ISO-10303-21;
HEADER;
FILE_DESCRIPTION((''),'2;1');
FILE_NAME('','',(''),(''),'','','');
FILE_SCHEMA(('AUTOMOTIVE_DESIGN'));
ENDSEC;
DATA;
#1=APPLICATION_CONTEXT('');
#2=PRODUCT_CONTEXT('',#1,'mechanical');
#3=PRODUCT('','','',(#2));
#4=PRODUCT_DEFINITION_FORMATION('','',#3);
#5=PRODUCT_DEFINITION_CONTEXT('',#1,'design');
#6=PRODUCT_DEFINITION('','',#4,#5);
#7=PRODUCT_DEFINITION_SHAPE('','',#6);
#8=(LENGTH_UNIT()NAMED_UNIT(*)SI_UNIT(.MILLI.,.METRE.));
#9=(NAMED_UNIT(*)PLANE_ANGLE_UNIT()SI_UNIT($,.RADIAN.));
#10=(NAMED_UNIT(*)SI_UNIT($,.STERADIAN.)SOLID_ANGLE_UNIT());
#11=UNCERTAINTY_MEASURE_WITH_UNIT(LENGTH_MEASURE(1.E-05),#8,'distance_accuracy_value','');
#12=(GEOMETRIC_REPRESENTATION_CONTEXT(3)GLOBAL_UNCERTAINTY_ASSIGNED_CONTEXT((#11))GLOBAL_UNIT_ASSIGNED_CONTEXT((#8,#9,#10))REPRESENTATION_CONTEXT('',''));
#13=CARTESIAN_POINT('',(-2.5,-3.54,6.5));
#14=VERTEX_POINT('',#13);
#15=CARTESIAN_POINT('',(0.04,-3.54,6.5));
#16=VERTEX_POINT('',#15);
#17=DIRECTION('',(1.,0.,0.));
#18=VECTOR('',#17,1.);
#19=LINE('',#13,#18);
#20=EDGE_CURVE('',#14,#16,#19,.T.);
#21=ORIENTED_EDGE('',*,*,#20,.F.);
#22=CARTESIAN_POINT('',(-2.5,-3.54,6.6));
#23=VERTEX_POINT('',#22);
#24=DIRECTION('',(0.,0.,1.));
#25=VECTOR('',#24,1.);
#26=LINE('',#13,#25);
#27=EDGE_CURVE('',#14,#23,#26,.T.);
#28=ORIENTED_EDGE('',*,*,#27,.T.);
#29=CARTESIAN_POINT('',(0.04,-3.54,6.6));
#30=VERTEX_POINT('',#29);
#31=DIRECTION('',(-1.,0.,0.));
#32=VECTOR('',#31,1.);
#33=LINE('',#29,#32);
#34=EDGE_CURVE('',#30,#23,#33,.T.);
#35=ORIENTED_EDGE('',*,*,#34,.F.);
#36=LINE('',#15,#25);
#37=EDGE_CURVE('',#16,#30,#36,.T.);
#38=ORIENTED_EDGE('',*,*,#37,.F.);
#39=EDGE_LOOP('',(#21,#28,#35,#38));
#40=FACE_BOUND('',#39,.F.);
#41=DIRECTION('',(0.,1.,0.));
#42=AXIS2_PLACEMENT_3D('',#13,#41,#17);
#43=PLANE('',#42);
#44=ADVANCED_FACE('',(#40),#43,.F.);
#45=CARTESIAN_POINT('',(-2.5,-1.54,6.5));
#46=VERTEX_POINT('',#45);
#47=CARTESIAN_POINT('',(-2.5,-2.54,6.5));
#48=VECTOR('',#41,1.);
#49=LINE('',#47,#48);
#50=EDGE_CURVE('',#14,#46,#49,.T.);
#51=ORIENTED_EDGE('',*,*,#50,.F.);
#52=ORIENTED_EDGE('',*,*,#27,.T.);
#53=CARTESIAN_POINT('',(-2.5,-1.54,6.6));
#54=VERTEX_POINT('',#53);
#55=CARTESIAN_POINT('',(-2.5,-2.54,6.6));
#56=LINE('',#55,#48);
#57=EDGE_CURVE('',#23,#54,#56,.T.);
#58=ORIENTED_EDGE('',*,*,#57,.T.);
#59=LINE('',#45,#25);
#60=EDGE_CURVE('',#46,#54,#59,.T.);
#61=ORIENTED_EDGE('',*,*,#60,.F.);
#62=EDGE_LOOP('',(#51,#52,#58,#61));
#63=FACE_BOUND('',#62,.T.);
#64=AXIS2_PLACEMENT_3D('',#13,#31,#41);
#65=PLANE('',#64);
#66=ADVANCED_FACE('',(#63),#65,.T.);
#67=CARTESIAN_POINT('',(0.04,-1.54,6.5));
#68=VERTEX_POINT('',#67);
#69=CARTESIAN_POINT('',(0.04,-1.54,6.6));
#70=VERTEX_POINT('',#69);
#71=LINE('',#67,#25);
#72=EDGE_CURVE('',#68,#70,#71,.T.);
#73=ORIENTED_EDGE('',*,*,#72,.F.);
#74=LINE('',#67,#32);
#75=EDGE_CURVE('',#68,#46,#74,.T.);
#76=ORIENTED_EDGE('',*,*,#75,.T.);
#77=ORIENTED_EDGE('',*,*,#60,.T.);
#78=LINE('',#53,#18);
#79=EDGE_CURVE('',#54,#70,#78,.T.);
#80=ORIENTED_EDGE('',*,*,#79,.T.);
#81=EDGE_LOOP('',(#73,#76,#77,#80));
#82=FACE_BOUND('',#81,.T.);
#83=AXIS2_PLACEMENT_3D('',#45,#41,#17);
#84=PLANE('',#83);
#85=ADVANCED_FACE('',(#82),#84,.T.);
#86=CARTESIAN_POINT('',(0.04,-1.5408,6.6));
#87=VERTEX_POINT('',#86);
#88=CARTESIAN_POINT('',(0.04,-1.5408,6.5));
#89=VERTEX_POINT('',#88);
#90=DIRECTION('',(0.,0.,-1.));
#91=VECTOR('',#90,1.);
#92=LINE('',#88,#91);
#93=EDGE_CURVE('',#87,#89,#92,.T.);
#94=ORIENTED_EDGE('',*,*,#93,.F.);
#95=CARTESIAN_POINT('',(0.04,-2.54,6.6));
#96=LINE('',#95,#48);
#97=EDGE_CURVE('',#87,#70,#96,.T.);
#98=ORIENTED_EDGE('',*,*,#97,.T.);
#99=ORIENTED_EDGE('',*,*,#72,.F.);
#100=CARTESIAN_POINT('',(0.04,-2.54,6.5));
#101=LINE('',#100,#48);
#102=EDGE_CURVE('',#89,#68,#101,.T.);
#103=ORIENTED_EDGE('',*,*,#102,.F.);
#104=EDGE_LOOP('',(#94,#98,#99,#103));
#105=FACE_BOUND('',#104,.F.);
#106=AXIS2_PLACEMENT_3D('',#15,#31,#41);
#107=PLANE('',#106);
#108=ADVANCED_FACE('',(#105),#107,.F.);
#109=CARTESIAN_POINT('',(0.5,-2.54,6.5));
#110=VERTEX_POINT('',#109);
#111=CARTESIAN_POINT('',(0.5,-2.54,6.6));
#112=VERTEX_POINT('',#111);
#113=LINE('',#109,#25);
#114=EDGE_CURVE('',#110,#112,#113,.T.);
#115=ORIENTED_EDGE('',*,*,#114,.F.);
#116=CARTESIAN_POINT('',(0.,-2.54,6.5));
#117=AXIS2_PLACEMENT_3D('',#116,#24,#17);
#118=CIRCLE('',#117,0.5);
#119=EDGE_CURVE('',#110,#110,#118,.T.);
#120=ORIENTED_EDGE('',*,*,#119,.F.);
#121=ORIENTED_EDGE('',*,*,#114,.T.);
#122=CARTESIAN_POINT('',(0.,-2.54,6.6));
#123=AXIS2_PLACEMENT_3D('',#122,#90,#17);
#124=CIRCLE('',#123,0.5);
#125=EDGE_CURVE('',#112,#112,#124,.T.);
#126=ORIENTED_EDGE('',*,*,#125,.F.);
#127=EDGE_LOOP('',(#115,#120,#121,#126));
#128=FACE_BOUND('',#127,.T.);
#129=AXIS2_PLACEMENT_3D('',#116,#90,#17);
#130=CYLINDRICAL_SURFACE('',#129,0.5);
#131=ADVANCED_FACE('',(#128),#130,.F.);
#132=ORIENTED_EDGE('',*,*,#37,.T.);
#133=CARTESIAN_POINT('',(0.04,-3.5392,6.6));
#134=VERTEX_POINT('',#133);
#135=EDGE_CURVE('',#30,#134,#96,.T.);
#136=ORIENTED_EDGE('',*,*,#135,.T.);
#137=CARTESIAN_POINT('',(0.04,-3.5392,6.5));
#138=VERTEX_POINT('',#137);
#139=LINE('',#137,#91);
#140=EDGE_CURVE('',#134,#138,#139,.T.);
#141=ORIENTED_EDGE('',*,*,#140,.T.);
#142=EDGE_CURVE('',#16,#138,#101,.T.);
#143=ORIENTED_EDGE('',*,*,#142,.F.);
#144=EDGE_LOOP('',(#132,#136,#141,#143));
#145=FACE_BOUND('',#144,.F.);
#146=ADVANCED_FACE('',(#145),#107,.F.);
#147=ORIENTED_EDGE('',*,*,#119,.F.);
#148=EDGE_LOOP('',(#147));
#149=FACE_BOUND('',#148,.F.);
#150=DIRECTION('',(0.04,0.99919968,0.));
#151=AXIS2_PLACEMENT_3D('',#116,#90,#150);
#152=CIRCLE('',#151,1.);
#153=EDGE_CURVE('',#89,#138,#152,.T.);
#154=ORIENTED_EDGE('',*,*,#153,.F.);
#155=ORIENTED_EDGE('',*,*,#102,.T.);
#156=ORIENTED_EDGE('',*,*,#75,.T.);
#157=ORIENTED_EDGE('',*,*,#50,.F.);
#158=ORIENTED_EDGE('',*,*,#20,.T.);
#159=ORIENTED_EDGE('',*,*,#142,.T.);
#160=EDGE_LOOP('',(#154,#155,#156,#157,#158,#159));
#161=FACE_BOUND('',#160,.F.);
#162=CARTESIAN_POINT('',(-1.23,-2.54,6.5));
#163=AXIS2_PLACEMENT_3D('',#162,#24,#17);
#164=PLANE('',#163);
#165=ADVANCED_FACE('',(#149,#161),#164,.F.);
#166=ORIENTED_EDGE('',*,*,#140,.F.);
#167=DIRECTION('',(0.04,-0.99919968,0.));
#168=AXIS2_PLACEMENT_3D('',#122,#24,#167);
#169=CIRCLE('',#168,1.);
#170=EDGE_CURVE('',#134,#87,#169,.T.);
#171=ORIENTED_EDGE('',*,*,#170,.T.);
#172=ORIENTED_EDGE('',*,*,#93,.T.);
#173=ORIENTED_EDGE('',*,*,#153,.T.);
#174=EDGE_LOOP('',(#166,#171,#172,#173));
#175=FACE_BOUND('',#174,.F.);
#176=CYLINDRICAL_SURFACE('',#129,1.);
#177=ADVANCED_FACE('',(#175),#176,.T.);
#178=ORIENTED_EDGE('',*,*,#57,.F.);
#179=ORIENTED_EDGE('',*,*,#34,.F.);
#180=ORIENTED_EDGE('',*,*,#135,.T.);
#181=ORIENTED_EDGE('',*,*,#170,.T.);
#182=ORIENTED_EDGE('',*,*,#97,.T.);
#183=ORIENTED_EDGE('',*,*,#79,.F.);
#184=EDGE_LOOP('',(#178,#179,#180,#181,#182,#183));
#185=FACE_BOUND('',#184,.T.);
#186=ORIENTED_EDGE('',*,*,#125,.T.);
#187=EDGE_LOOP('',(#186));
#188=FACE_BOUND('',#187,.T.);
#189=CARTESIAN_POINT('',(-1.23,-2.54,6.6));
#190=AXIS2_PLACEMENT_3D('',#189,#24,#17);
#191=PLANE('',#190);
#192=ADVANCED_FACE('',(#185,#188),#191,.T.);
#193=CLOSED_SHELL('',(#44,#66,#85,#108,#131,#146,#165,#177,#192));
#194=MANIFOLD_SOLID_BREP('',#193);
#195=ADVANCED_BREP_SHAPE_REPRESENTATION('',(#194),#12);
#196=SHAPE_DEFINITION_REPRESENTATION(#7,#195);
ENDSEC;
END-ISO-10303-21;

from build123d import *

# Parameters (mm, degrees)
CYLINDER005_R     = 0.5
CYLINDER005_DEPTH = 0.1
BOX004_W          = 2.54
BOX004_H          = 2
BOX004_DEPTH      = 0.1
CYLINDER004_R     = 0.5
CYLINDER004_DEPTH = 0.1
CYLINDER003_R     = 1
CYLINDER003_DEPTH = 0.1


with BuildPart() as cylinder005:
    # Cylinder005 → Cylinder005 (new body)
    with BuildSketch(Plane.XY.offset(1)):
        Circle(CYLINDER005_R)
    extrude(amount=CYLINDER005_DEPTH)


with BuildPart() as cut004:
    # Box004 → Box004 (new body)
    with BuildSketch(Plane(origin=(-2.5, -1, 1), x_dir=(1, 0, 0), z_dir=(0, 0, 1))):
        with Locations((1.27, 1)):
            Rectangle(BOX004_W, BOX004_H)
    extrude(amount=BOX004_DEPTH)

    # Cut004: cut Cylinder005
    add(cylinder005.part, mode=Mode.SUBTRACT)


with BuildPart() as cylinder004:
    # Cylinder004 → Cylinder004 (new body)
    with BuildSketch(Plane.XY.offset(1)):
        Circle(CYLINDER004_R)
    extrude(amount=CYLINDER004_DEPTH)


with BuildPart() as fusion001:
    # Cylinder003 → Cylinder003 (new body)
    with BuildSketch(Plane.XY.offset(1)):
        Circle(CYLINDER003_R)
    extrude(amount=CYLINDER003_DEPTH)

    # Cut003: cut Cylinder004
    add(cylinder004.part, mode=Mode.SUBTRACT)

    # Fusion001: union Cut004
    add(cut004.part)


with BuildPart() as fusion001_1:
    # Fusion001 placement: moved
    add(fusion001.part.moved(Location((0, -2.54, 5.5))))


solid = fusion001_1.part
